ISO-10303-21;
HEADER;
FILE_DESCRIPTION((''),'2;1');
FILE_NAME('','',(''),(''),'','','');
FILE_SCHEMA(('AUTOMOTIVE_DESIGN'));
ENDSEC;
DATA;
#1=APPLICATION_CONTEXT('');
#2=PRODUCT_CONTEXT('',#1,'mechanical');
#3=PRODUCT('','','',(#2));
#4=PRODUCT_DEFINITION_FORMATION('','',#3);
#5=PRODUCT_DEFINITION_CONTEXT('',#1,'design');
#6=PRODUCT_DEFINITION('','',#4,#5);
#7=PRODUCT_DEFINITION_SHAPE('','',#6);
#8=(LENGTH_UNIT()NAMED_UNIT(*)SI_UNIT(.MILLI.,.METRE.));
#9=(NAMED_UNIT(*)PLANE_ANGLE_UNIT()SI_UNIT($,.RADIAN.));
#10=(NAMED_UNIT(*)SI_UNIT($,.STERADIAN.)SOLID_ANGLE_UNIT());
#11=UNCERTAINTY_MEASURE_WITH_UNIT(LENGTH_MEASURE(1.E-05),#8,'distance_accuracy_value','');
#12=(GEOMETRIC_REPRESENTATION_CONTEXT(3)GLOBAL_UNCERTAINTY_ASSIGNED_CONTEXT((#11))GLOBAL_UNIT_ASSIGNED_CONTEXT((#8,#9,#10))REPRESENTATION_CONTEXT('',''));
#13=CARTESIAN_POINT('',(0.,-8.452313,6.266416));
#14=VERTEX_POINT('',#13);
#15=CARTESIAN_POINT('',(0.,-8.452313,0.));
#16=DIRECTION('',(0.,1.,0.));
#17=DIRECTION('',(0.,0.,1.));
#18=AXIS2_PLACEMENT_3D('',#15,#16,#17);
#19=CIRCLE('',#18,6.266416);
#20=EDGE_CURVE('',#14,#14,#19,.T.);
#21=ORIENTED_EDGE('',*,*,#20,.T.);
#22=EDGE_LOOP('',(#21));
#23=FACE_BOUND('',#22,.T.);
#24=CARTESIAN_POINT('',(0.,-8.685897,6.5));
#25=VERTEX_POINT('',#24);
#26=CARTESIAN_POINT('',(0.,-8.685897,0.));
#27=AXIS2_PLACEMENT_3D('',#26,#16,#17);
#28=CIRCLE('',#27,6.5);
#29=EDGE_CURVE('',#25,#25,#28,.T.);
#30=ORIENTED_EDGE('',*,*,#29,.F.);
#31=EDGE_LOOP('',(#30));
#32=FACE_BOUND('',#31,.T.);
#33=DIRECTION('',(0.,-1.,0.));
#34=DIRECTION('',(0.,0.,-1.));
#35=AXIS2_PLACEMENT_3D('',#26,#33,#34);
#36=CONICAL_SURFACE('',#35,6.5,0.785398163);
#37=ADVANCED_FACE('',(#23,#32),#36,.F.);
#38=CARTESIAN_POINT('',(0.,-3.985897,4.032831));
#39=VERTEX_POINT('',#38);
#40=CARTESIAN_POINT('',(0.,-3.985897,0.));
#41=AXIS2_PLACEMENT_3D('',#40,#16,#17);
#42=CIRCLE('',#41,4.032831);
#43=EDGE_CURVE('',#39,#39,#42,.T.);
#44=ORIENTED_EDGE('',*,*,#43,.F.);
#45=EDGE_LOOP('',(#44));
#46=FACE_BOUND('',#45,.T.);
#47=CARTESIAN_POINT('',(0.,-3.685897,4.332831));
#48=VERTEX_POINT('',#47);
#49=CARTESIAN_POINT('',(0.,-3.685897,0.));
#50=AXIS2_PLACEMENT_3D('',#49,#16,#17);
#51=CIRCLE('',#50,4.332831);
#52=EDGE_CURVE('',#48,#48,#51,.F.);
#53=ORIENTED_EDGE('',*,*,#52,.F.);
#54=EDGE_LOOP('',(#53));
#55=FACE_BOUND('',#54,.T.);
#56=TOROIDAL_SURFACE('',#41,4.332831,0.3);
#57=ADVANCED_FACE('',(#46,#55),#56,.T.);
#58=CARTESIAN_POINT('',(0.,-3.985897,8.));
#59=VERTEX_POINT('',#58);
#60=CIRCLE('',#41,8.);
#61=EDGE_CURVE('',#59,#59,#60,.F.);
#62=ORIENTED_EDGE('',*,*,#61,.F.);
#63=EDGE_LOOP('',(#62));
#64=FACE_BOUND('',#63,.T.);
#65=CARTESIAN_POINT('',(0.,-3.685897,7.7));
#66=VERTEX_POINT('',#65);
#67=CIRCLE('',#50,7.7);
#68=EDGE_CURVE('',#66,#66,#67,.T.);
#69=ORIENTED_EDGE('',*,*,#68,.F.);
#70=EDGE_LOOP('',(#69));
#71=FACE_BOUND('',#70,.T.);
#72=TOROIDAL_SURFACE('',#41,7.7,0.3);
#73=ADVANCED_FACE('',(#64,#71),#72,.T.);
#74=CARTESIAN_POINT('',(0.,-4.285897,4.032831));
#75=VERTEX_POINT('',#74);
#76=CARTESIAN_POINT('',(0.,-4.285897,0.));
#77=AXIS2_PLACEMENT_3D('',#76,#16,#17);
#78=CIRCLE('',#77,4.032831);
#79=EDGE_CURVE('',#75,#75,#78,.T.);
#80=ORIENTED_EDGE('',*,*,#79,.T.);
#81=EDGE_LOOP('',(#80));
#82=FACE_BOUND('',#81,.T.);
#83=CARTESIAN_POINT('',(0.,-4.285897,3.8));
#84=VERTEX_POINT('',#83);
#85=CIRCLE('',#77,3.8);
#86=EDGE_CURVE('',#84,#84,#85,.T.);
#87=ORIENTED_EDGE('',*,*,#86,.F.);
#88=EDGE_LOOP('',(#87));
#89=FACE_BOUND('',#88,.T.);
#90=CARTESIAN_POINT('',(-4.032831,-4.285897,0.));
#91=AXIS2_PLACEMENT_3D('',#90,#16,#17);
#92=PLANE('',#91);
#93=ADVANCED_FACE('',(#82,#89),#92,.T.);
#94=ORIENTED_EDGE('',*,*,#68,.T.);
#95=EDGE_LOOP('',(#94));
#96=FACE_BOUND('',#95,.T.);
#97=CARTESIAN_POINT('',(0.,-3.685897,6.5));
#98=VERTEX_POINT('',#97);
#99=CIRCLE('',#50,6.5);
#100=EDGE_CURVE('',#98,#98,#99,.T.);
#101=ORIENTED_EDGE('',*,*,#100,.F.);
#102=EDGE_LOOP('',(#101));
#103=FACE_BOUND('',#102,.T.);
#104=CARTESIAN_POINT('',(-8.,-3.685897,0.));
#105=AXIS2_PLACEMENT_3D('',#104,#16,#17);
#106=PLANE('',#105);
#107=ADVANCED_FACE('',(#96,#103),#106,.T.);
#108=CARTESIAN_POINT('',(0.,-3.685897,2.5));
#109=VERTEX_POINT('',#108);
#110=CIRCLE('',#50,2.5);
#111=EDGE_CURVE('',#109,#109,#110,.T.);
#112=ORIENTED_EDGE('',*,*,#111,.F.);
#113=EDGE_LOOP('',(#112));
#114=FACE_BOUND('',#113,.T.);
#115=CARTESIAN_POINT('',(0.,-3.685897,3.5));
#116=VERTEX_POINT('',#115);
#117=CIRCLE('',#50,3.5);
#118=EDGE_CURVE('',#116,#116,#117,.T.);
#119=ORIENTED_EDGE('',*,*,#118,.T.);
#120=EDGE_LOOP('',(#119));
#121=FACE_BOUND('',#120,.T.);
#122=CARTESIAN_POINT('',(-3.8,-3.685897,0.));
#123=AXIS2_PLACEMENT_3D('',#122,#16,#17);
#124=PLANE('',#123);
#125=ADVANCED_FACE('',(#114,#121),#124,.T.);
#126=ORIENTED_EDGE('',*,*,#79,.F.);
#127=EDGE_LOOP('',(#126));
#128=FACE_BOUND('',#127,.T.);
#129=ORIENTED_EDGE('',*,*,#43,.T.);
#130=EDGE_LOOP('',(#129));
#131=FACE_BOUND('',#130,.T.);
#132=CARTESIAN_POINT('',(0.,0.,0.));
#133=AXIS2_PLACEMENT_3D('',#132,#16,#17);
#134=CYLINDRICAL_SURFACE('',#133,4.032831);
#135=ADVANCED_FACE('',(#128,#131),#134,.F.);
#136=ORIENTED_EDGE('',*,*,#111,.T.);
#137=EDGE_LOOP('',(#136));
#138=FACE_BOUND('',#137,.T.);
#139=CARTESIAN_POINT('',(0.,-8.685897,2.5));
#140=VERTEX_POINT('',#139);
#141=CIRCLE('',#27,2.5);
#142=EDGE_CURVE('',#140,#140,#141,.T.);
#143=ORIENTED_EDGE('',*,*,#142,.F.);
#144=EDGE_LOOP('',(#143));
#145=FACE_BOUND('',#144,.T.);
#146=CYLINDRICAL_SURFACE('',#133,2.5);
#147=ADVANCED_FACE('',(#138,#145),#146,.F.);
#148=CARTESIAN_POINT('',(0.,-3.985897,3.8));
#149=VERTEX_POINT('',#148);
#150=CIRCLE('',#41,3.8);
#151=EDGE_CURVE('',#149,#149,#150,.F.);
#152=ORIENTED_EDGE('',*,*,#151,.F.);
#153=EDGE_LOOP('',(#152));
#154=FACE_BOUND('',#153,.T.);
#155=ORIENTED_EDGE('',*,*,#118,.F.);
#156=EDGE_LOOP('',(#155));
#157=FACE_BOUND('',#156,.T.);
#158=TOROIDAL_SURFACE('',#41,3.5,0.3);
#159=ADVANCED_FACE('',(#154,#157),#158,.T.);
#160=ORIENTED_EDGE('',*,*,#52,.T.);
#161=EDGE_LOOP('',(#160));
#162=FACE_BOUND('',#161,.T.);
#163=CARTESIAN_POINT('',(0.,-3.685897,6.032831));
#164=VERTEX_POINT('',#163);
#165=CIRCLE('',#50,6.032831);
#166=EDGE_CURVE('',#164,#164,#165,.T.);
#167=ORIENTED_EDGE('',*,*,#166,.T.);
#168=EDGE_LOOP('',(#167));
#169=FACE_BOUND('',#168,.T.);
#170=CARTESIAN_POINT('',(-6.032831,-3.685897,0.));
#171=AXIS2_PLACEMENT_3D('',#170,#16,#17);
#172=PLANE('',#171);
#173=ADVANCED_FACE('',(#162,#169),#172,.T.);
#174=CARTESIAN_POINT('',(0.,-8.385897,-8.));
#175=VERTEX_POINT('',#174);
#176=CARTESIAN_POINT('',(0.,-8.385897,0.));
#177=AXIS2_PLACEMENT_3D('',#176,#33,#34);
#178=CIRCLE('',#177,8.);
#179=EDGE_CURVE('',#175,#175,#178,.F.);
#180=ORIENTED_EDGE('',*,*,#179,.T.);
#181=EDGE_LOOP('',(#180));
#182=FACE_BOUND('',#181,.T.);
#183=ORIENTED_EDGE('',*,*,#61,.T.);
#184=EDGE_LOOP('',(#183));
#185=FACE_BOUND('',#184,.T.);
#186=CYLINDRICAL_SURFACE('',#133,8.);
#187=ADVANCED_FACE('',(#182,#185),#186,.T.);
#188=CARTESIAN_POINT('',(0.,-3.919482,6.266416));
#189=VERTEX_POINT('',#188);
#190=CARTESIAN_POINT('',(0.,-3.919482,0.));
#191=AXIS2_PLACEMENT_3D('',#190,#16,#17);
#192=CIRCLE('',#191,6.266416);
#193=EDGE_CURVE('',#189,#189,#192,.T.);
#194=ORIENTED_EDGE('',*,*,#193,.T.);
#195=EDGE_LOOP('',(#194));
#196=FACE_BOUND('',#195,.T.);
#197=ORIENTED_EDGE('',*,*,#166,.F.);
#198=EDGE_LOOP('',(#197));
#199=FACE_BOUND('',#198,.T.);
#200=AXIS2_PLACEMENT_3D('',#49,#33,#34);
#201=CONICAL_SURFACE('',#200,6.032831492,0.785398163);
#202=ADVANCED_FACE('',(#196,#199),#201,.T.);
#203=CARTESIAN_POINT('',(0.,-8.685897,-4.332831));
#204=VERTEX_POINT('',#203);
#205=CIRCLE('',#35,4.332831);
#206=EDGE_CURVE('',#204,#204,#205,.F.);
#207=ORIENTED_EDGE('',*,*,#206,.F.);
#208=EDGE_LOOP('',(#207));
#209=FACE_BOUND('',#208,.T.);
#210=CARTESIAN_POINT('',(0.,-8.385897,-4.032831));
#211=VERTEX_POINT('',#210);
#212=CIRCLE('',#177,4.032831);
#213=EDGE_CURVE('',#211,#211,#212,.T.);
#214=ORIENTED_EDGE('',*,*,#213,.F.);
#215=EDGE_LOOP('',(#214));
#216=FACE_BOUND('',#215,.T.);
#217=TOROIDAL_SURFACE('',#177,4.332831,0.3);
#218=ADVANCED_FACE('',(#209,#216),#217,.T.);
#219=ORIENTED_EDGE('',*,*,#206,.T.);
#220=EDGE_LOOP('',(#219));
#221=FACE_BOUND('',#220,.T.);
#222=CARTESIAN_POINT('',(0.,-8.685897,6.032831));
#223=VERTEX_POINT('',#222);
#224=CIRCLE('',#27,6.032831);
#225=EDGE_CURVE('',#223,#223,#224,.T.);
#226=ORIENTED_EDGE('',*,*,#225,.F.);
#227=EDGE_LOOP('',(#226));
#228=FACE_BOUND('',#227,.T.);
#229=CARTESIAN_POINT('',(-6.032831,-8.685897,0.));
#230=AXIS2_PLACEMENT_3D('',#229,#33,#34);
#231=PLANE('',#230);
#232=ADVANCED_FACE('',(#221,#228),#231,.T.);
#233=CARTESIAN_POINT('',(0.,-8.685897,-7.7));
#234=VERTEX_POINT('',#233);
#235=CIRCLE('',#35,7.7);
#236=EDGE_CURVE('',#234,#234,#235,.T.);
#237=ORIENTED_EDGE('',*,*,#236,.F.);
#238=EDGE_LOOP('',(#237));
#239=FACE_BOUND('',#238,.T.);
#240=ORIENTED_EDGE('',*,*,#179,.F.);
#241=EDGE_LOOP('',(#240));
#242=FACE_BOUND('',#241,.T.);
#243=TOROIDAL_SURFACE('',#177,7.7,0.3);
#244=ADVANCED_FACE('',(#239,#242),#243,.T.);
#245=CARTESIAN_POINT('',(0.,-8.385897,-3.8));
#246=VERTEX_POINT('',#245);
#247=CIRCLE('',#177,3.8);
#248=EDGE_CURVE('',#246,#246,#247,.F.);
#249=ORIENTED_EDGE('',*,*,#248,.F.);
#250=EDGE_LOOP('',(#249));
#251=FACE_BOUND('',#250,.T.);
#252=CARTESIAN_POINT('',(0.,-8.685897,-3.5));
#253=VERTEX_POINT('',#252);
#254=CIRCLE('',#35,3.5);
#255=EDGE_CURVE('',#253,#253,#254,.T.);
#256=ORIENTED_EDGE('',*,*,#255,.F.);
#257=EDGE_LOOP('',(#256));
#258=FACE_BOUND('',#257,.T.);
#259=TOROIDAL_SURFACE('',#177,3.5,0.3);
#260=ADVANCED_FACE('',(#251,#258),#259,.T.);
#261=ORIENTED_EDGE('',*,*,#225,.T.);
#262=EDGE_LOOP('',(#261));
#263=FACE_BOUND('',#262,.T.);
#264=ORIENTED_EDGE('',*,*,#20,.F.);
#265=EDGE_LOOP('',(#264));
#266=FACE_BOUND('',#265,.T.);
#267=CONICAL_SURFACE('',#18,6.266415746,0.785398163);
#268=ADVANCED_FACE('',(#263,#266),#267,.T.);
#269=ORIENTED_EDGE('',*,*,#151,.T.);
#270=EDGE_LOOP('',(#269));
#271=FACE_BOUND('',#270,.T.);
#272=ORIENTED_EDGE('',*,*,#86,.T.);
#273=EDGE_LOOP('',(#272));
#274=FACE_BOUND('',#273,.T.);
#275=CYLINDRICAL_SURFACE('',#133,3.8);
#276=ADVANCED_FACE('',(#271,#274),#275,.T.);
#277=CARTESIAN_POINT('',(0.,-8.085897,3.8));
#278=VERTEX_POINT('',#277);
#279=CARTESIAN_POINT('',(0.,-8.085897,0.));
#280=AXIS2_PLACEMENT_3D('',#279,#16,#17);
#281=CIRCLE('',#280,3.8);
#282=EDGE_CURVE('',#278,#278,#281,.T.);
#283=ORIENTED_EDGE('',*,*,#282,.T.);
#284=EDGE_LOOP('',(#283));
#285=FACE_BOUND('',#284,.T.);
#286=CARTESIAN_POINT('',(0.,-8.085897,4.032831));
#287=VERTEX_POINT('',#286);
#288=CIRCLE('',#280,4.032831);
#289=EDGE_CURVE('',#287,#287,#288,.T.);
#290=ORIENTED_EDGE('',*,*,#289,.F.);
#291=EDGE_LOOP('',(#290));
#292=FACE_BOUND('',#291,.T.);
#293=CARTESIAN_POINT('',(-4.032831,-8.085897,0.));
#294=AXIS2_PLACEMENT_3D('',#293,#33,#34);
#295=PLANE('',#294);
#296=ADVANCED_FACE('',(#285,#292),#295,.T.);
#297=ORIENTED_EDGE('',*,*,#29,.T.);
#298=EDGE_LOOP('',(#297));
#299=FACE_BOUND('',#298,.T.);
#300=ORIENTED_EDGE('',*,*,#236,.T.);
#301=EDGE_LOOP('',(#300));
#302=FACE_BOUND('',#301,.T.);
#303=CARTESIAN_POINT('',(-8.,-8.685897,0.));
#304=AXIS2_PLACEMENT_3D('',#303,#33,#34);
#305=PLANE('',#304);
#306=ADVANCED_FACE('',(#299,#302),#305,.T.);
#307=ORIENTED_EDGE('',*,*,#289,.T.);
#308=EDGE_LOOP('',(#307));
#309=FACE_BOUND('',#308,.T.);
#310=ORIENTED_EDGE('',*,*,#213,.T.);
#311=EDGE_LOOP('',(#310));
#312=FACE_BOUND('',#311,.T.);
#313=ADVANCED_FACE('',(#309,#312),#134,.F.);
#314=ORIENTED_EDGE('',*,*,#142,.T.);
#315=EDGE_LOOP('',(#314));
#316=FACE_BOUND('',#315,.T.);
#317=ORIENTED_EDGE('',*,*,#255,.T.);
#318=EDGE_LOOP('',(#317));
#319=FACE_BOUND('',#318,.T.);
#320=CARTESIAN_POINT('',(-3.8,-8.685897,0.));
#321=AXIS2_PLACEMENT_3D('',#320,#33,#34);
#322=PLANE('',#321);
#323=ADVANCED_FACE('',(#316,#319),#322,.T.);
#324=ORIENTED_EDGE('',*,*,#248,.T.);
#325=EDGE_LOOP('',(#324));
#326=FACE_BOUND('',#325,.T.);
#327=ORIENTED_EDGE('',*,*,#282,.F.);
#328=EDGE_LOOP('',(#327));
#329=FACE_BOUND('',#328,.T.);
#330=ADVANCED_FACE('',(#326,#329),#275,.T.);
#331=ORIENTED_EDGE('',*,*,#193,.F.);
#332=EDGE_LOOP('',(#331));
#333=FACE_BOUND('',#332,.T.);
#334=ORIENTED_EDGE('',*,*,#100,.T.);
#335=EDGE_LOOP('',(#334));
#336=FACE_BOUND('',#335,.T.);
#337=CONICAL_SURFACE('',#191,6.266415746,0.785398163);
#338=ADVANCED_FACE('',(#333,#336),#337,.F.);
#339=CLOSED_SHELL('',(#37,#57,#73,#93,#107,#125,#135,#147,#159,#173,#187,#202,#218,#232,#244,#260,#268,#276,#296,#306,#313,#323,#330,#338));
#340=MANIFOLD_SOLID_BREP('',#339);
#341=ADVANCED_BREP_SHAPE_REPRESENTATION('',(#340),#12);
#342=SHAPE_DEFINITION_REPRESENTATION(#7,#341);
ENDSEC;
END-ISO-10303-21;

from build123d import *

# Parameters (mm, degrees)
FILLET1_R = 0.3


with BuildPart() as part:
    # Sketch1 → Revolve1 (revolve)
    with BuildSketch(Plane.XY, mode=Mode.PRIVATE) as revolve1_sk:
        Polygon((-2.5, -3.685897436), (-2.5, -8.685897436), (-3.8, -8.685897436), (-3.8, -8.085897436), (-4.032831492, -8.085897436), (-4.032831492, -8.685897436), (-6.032831492, -8.685897436), (-6.266415746, -8.452313182), (-6.5, -8.685897436), (-8, -8.685897436), (-8, -3.685897436), (-6.5, -3.685897436), (-6.266415746, -3.91948169), (-6.032831492, -3.685897436), (-4.032831492, -3.685897436), (-4.032831492, -4.285897436), (-3.8, -4.285897436), (-3.8, -3.685897436), align=None)
    revolve(revolve1_sk.sketch.rotate(Axis((0, 0, 0), (0, -1, 0)), 270), axis=Axis((0, 0, 0), (0, -1, 0)))

    # Fillet1
    fillet1_edges = [part.edges().sort_by_distance(p)[0] for p in [
        (0, -3.685897436, -3.8),
        (0, -3.685897436, -4.032831492),
        (0, -3.685897436, -8),
        (0, -8.685897436, -8),
        (0, -8.685897436, -4.032831492),
        (0, -8.685897436, -3.8),
    ]]
    fillet(fillet1_edges, radius=FILLET1_R)


solid = part.part
